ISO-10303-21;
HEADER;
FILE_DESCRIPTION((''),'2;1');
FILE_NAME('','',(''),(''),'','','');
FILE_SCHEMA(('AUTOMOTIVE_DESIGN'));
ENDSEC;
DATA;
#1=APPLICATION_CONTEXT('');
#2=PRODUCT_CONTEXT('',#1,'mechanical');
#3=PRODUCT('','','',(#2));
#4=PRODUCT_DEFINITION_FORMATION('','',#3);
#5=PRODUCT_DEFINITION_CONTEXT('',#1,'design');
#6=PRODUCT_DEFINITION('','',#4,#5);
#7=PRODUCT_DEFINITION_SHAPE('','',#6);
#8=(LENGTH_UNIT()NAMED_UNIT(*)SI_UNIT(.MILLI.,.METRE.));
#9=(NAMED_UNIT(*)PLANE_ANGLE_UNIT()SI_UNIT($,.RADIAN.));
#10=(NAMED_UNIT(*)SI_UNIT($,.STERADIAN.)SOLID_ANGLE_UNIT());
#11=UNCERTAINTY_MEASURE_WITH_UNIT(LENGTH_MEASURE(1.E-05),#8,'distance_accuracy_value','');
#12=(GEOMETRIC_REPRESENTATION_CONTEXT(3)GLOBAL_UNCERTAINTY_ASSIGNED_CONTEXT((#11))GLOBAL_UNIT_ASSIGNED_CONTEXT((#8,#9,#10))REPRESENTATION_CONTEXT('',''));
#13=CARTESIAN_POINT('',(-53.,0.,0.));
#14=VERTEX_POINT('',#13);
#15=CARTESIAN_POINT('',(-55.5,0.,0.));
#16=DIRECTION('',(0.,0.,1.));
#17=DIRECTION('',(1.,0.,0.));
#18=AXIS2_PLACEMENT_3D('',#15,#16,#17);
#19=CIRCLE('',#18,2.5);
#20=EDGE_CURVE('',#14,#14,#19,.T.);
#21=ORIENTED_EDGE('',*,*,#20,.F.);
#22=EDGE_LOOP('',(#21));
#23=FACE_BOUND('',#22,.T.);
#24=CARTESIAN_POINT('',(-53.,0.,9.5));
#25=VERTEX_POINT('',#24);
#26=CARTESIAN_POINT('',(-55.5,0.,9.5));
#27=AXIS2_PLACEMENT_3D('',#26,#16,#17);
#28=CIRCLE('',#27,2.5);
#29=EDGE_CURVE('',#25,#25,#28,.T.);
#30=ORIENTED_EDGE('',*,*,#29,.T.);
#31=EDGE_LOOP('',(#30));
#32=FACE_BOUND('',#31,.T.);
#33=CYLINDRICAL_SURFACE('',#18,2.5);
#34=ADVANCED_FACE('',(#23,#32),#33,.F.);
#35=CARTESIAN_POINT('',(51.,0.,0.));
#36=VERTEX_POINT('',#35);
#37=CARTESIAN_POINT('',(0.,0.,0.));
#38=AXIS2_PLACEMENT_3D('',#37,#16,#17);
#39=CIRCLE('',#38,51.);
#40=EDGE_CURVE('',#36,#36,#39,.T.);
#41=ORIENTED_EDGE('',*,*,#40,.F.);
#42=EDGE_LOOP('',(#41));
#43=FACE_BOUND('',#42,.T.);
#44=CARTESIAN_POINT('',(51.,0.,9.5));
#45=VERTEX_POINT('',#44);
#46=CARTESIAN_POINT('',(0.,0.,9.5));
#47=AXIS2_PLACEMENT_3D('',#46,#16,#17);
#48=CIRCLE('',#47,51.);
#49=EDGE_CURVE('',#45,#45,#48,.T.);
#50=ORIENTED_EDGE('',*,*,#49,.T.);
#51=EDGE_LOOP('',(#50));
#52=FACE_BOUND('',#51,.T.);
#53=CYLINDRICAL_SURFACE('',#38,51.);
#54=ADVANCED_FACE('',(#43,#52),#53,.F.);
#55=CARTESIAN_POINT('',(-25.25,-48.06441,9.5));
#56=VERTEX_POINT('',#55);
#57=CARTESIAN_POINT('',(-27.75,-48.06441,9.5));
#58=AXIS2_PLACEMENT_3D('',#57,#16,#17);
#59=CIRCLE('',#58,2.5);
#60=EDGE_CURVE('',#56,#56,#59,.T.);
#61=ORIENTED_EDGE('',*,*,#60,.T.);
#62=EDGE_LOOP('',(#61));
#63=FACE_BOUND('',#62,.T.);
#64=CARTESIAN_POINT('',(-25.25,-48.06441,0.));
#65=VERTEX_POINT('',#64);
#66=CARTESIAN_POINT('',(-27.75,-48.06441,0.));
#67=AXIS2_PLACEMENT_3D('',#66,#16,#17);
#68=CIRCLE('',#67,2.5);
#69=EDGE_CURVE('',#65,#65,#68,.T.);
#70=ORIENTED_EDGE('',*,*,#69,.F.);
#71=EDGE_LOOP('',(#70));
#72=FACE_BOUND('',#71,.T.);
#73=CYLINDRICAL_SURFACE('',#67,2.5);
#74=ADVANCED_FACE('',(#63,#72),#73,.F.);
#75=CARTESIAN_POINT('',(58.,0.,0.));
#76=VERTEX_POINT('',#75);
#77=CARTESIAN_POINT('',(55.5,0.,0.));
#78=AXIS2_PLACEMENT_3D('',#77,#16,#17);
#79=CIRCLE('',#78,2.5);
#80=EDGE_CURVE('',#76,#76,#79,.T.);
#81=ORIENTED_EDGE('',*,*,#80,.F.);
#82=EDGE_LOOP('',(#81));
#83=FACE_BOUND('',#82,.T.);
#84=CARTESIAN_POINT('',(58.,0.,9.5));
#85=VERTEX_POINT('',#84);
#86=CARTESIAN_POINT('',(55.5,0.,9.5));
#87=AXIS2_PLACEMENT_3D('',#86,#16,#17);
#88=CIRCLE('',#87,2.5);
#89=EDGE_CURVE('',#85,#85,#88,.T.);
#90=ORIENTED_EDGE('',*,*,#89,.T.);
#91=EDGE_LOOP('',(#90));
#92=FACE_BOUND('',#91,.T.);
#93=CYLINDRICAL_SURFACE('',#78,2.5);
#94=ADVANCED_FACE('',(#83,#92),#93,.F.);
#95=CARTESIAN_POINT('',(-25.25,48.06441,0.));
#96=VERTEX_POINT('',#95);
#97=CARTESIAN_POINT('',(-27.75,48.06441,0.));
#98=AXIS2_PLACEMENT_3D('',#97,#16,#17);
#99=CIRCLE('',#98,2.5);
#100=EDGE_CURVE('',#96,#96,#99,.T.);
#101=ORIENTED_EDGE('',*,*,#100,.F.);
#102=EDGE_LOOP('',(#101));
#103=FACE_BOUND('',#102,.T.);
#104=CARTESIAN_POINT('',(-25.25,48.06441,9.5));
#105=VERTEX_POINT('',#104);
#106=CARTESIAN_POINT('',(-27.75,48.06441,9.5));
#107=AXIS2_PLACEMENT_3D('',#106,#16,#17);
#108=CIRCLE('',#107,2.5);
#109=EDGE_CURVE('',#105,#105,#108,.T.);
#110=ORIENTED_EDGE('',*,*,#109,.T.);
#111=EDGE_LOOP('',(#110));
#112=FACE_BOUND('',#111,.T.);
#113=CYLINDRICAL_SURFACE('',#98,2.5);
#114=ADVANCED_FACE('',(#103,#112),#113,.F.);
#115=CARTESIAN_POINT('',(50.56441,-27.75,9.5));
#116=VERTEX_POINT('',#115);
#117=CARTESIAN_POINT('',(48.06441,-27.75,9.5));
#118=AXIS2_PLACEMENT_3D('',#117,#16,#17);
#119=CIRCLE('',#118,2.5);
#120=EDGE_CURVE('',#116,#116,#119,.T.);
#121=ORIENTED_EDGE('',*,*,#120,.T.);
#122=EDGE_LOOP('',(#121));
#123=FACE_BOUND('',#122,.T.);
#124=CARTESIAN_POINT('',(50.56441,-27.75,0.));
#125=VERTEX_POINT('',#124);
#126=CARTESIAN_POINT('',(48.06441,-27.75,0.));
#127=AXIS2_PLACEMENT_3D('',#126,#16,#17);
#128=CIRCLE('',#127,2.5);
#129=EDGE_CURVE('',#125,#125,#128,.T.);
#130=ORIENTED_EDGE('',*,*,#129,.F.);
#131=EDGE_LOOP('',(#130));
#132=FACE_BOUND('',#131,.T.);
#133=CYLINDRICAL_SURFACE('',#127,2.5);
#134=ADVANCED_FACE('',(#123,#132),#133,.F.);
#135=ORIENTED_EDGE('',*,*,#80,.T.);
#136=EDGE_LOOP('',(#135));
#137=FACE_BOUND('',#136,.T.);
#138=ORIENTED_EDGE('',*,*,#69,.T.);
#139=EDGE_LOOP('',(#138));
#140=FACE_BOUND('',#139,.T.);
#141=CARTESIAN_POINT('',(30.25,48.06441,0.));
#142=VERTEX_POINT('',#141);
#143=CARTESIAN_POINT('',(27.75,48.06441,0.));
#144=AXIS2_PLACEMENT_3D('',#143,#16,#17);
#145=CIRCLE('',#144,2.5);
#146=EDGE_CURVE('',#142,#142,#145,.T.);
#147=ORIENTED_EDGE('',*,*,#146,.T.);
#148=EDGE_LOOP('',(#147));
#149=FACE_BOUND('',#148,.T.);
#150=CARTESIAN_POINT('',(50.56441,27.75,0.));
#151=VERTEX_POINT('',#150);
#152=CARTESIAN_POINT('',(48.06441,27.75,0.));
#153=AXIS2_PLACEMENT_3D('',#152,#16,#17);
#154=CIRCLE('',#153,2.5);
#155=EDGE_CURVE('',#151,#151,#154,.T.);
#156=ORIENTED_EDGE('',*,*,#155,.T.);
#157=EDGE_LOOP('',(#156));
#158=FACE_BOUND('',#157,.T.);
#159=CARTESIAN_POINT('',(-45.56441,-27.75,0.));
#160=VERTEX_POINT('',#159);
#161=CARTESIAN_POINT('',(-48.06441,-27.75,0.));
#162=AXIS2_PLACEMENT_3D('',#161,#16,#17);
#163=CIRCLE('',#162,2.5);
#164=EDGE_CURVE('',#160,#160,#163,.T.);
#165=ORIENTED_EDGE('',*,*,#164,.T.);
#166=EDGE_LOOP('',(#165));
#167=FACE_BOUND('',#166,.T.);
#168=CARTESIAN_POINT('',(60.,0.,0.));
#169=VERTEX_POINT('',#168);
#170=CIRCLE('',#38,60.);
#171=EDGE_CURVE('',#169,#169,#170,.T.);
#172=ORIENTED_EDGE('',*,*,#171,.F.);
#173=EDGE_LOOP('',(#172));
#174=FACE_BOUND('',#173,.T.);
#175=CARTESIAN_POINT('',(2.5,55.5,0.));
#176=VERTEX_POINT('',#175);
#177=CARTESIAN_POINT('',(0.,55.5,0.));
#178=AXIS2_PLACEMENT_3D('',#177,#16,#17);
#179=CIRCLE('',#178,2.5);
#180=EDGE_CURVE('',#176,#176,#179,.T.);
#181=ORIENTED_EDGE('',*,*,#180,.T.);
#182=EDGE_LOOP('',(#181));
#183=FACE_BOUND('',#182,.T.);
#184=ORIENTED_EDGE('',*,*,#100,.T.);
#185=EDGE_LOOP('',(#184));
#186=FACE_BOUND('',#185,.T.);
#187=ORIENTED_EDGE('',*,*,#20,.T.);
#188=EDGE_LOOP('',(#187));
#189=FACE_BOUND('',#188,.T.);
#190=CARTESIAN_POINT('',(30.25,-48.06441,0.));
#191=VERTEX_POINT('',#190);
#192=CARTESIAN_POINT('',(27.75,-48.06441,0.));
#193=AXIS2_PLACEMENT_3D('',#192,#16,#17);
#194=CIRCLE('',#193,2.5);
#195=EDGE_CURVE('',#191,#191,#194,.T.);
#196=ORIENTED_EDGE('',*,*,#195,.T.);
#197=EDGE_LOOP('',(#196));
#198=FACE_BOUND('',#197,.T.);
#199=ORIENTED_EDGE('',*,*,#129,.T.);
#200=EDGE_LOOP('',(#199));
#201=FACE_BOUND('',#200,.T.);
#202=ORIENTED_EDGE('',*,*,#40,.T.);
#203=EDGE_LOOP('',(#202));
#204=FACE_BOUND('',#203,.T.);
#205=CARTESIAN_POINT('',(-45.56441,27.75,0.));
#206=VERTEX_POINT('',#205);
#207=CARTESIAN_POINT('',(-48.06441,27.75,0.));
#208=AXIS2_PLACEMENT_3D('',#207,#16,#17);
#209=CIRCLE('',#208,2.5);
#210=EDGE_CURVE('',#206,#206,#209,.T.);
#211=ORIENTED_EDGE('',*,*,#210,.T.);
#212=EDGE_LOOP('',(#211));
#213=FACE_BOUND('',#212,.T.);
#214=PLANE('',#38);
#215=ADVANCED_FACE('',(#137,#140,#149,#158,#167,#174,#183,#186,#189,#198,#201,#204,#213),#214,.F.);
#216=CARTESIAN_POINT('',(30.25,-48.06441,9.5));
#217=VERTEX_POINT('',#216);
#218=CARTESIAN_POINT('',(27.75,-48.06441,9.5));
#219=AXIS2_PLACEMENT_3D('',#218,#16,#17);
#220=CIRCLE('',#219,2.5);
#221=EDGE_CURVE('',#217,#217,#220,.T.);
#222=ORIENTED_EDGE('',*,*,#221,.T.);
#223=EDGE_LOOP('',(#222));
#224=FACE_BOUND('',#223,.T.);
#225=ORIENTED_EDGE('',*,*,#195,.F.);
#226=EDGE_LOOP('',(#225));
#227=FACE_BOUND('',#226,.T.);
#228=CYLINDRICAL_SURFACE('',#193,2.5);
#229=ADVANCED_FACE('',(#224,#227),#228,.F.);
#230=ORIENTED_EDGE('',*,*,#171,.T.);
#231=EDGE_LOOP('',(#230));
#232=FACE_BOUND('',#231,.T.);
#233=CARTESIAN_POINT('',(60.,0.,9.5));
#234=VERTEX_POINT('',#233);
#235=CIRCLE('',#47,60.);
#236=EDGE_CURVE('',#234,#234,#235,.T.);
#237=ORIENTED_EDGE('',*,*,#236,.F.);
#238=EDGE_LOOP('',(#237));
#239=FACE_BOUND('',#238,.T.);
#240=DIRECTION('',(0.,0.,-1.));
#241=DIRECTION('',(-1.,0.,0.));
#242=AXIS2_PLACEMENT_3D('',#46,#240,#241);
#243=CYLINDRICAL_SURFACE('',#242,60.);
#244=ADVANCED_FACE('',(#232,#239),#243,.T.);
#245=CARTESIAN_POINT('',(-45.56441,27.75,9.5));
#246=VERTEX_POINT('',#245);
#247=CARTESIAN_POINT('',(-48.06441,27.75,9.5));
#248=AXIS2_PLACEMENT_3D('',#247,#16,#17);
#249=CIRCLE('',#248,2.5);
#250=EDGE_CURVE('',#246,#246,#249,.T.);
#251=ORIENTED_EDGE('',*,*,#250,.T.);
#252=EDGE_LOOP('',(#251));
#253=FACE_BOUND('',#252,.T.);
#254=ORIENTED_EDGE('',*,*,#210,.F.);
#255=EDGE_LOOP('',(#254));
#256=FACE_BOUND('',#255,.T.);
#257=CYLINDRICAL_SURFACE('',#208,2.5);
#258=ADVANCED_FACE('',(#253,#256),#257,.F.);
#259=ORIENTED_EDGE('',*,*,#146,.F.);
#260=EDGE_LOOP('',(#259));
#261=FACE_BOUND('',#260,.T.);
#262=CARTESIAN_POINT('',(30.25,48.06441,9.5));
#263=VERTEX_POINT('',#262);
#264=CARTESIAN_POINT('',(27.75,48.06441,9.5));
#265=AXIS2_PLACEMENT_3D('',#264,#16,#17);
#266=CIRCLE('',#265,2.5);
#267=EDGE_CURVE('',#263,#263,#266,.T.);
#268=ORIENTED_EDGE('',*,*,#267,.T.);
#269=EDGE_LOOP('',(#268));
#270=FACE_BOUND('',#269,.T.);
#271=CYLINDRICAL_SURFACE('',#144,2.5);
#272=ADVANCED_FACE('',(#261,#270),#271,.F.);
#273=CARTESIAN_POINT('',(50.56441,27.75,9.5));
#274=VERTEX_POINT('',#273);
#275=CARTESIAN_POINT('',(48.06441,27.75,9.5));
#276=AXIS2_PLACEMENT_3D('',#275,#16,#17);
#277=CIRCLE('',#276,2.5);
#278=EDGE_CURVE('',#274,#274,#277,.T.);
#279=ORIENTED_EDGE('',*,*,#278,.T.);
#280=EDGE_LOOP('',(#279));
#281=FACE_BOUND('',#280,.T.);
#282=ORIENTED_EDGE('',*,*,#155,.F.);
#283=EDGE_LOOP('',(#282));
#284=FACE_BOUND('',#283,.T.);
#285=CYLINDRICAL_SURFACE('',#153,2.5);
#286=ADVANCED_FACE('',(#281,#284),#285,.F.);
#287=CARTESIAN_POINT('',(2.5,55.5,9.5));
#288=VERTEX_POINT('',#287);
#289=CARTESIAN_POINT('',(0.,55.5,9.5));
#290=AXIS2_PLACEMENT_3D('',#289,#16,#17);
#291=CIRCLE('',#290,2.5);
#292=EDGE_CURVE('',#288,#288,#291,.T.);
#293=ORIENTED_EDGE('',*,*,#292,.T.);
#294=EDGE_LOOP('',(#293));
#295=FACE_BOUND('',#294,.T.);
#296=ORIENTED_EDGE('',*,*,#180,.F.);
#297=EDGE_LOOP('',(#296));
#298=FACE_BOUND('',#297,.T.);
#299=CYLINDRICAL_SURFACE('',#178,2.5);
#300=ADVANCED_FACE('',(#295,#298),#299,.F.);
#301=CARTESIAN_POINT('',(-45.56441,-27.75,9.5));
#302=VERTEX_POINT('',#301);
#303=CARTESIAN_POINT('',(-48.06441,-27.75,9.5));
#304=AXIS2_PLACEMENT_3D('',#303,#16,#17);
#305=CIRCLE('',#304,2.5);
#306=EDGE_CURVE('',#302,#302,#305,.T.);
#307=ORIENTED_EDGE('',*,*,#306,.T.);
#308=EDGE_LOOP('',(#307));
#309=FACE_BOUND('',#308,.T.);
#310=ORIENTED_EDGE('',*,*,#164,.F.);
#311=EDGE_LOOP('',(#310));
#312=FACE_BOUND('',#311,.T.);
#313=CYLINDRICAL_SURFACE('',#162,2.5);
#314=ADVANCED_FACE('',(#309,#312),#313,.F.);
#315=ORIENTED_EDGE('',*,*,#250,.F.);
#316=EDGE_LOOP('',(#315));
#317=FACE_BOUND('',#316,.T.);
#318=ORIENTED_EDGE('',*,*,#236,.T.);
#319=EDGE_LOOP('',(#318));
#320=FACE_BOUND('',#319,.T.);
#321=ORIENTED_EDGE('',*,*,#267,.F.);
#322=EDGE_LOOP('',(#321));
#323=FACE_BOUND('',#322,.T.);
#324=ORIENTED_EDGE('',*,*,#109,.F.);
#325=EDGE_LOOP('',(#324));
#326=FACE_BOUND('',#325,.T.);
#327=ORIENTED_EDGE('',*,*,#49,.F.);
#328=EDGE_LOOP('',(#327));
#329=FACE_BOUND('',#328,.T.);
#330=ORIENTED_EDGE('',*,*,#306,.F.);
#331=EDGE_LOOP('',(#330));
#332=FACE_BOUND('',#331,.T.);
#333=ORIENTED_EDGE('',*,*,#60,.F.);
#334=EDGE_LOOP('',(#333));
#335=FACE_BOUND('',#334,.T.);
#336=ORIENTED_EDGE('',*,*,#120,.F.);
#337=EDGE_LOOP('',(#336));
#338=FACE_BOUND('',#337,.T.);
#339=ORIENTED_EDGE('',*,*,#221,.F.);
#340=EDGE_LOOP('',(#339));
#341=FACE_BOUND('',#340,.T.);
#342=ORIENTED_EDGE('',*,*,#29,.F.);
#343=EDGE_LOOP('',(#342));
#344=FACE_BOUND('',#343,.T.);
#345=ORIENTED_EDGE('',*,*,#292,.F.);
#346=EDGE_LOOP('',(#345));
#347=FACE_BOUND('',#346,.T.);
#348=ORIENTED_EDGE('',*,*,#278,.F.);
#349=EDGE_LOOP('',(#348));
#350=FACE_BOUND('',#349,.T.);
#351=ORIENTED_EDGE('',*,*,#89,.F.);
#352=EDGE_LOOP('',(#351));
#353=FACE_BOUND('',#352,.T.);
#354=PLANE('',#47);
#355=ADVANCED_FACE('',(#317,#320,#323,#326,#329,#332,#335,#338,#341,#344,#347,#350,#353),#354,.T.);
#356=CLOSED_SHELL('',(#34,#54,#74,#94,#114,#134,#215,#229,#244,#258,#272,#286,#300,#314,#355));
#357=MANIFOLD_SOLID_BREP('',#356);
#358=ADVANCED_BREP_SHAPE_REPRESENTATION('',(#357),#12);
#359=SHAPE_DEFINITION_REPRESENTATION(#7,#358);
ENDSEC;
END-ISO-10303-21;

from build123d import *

# Parameters (mm, degrees)
ESBO_O1_R                = 60
RESSALTO_EXTRUS_O1_DEPTH = 9.5
ESBO_O2_R                = 51
ESBO_O2_R_2              = 2.5
CORTE_EXTRUS_O1_DEPTH    = 10.5


with BuildPart() as part:
    # Esboço1 → Ressalto-extrusão1 (new body)
    with BuildSketch(Plane.XY):
        Circle(ESBO_O1_R)
    extrude(amount=RESSALTO_EXTRUS_O1_DEPTH)

    # Esboço2 → Corte-extrusão1 (cut, through all)
    with BuildSketch(Plane.XY.offset(9.5)):
        Circle(ESBO_O2_R)
        with Locations((0, 55.5)):
            Circle(ESBO_O2_R_2)
        with Locations((27.75, 48.06440991)):
            Circle(ESBO_O2_R_2)
        with Locations((48.06440991, 27.75)):
            Circle(ESBO_O2_R_2)
        with Locations((55.5, 0)):
            Circle(ESBO_O2_R_2)
        with Locations((48.06440991, -27.75)):
            Circle(ESBO_O2_R_2)
        with Locations((27.75, -48.06440991)):
            Circle(ESBO_O2_R_2)
        with Locations((-27.75, -48.06440991)):
            Circle(ESBO_O2_R_2)
        with Locations((-48.06440991, -27.75)):
            Circle(ESBO_O2_R_2)
        with Locations((-55.5, 0)):
            Circle(ESBO_O2_R_2)
        with Locations((-48.06440991, 27.75)):
            Circle(ESBO_O2_R_2)
        with Locations((-27.75, 48.06440991)):
            Circle(ESBO_O2_R_2)
    extrude(amount=-CORTE_EXTRUS_O1_DEPTH, mode=Mode.SUBTRACT)


solid = part.part
